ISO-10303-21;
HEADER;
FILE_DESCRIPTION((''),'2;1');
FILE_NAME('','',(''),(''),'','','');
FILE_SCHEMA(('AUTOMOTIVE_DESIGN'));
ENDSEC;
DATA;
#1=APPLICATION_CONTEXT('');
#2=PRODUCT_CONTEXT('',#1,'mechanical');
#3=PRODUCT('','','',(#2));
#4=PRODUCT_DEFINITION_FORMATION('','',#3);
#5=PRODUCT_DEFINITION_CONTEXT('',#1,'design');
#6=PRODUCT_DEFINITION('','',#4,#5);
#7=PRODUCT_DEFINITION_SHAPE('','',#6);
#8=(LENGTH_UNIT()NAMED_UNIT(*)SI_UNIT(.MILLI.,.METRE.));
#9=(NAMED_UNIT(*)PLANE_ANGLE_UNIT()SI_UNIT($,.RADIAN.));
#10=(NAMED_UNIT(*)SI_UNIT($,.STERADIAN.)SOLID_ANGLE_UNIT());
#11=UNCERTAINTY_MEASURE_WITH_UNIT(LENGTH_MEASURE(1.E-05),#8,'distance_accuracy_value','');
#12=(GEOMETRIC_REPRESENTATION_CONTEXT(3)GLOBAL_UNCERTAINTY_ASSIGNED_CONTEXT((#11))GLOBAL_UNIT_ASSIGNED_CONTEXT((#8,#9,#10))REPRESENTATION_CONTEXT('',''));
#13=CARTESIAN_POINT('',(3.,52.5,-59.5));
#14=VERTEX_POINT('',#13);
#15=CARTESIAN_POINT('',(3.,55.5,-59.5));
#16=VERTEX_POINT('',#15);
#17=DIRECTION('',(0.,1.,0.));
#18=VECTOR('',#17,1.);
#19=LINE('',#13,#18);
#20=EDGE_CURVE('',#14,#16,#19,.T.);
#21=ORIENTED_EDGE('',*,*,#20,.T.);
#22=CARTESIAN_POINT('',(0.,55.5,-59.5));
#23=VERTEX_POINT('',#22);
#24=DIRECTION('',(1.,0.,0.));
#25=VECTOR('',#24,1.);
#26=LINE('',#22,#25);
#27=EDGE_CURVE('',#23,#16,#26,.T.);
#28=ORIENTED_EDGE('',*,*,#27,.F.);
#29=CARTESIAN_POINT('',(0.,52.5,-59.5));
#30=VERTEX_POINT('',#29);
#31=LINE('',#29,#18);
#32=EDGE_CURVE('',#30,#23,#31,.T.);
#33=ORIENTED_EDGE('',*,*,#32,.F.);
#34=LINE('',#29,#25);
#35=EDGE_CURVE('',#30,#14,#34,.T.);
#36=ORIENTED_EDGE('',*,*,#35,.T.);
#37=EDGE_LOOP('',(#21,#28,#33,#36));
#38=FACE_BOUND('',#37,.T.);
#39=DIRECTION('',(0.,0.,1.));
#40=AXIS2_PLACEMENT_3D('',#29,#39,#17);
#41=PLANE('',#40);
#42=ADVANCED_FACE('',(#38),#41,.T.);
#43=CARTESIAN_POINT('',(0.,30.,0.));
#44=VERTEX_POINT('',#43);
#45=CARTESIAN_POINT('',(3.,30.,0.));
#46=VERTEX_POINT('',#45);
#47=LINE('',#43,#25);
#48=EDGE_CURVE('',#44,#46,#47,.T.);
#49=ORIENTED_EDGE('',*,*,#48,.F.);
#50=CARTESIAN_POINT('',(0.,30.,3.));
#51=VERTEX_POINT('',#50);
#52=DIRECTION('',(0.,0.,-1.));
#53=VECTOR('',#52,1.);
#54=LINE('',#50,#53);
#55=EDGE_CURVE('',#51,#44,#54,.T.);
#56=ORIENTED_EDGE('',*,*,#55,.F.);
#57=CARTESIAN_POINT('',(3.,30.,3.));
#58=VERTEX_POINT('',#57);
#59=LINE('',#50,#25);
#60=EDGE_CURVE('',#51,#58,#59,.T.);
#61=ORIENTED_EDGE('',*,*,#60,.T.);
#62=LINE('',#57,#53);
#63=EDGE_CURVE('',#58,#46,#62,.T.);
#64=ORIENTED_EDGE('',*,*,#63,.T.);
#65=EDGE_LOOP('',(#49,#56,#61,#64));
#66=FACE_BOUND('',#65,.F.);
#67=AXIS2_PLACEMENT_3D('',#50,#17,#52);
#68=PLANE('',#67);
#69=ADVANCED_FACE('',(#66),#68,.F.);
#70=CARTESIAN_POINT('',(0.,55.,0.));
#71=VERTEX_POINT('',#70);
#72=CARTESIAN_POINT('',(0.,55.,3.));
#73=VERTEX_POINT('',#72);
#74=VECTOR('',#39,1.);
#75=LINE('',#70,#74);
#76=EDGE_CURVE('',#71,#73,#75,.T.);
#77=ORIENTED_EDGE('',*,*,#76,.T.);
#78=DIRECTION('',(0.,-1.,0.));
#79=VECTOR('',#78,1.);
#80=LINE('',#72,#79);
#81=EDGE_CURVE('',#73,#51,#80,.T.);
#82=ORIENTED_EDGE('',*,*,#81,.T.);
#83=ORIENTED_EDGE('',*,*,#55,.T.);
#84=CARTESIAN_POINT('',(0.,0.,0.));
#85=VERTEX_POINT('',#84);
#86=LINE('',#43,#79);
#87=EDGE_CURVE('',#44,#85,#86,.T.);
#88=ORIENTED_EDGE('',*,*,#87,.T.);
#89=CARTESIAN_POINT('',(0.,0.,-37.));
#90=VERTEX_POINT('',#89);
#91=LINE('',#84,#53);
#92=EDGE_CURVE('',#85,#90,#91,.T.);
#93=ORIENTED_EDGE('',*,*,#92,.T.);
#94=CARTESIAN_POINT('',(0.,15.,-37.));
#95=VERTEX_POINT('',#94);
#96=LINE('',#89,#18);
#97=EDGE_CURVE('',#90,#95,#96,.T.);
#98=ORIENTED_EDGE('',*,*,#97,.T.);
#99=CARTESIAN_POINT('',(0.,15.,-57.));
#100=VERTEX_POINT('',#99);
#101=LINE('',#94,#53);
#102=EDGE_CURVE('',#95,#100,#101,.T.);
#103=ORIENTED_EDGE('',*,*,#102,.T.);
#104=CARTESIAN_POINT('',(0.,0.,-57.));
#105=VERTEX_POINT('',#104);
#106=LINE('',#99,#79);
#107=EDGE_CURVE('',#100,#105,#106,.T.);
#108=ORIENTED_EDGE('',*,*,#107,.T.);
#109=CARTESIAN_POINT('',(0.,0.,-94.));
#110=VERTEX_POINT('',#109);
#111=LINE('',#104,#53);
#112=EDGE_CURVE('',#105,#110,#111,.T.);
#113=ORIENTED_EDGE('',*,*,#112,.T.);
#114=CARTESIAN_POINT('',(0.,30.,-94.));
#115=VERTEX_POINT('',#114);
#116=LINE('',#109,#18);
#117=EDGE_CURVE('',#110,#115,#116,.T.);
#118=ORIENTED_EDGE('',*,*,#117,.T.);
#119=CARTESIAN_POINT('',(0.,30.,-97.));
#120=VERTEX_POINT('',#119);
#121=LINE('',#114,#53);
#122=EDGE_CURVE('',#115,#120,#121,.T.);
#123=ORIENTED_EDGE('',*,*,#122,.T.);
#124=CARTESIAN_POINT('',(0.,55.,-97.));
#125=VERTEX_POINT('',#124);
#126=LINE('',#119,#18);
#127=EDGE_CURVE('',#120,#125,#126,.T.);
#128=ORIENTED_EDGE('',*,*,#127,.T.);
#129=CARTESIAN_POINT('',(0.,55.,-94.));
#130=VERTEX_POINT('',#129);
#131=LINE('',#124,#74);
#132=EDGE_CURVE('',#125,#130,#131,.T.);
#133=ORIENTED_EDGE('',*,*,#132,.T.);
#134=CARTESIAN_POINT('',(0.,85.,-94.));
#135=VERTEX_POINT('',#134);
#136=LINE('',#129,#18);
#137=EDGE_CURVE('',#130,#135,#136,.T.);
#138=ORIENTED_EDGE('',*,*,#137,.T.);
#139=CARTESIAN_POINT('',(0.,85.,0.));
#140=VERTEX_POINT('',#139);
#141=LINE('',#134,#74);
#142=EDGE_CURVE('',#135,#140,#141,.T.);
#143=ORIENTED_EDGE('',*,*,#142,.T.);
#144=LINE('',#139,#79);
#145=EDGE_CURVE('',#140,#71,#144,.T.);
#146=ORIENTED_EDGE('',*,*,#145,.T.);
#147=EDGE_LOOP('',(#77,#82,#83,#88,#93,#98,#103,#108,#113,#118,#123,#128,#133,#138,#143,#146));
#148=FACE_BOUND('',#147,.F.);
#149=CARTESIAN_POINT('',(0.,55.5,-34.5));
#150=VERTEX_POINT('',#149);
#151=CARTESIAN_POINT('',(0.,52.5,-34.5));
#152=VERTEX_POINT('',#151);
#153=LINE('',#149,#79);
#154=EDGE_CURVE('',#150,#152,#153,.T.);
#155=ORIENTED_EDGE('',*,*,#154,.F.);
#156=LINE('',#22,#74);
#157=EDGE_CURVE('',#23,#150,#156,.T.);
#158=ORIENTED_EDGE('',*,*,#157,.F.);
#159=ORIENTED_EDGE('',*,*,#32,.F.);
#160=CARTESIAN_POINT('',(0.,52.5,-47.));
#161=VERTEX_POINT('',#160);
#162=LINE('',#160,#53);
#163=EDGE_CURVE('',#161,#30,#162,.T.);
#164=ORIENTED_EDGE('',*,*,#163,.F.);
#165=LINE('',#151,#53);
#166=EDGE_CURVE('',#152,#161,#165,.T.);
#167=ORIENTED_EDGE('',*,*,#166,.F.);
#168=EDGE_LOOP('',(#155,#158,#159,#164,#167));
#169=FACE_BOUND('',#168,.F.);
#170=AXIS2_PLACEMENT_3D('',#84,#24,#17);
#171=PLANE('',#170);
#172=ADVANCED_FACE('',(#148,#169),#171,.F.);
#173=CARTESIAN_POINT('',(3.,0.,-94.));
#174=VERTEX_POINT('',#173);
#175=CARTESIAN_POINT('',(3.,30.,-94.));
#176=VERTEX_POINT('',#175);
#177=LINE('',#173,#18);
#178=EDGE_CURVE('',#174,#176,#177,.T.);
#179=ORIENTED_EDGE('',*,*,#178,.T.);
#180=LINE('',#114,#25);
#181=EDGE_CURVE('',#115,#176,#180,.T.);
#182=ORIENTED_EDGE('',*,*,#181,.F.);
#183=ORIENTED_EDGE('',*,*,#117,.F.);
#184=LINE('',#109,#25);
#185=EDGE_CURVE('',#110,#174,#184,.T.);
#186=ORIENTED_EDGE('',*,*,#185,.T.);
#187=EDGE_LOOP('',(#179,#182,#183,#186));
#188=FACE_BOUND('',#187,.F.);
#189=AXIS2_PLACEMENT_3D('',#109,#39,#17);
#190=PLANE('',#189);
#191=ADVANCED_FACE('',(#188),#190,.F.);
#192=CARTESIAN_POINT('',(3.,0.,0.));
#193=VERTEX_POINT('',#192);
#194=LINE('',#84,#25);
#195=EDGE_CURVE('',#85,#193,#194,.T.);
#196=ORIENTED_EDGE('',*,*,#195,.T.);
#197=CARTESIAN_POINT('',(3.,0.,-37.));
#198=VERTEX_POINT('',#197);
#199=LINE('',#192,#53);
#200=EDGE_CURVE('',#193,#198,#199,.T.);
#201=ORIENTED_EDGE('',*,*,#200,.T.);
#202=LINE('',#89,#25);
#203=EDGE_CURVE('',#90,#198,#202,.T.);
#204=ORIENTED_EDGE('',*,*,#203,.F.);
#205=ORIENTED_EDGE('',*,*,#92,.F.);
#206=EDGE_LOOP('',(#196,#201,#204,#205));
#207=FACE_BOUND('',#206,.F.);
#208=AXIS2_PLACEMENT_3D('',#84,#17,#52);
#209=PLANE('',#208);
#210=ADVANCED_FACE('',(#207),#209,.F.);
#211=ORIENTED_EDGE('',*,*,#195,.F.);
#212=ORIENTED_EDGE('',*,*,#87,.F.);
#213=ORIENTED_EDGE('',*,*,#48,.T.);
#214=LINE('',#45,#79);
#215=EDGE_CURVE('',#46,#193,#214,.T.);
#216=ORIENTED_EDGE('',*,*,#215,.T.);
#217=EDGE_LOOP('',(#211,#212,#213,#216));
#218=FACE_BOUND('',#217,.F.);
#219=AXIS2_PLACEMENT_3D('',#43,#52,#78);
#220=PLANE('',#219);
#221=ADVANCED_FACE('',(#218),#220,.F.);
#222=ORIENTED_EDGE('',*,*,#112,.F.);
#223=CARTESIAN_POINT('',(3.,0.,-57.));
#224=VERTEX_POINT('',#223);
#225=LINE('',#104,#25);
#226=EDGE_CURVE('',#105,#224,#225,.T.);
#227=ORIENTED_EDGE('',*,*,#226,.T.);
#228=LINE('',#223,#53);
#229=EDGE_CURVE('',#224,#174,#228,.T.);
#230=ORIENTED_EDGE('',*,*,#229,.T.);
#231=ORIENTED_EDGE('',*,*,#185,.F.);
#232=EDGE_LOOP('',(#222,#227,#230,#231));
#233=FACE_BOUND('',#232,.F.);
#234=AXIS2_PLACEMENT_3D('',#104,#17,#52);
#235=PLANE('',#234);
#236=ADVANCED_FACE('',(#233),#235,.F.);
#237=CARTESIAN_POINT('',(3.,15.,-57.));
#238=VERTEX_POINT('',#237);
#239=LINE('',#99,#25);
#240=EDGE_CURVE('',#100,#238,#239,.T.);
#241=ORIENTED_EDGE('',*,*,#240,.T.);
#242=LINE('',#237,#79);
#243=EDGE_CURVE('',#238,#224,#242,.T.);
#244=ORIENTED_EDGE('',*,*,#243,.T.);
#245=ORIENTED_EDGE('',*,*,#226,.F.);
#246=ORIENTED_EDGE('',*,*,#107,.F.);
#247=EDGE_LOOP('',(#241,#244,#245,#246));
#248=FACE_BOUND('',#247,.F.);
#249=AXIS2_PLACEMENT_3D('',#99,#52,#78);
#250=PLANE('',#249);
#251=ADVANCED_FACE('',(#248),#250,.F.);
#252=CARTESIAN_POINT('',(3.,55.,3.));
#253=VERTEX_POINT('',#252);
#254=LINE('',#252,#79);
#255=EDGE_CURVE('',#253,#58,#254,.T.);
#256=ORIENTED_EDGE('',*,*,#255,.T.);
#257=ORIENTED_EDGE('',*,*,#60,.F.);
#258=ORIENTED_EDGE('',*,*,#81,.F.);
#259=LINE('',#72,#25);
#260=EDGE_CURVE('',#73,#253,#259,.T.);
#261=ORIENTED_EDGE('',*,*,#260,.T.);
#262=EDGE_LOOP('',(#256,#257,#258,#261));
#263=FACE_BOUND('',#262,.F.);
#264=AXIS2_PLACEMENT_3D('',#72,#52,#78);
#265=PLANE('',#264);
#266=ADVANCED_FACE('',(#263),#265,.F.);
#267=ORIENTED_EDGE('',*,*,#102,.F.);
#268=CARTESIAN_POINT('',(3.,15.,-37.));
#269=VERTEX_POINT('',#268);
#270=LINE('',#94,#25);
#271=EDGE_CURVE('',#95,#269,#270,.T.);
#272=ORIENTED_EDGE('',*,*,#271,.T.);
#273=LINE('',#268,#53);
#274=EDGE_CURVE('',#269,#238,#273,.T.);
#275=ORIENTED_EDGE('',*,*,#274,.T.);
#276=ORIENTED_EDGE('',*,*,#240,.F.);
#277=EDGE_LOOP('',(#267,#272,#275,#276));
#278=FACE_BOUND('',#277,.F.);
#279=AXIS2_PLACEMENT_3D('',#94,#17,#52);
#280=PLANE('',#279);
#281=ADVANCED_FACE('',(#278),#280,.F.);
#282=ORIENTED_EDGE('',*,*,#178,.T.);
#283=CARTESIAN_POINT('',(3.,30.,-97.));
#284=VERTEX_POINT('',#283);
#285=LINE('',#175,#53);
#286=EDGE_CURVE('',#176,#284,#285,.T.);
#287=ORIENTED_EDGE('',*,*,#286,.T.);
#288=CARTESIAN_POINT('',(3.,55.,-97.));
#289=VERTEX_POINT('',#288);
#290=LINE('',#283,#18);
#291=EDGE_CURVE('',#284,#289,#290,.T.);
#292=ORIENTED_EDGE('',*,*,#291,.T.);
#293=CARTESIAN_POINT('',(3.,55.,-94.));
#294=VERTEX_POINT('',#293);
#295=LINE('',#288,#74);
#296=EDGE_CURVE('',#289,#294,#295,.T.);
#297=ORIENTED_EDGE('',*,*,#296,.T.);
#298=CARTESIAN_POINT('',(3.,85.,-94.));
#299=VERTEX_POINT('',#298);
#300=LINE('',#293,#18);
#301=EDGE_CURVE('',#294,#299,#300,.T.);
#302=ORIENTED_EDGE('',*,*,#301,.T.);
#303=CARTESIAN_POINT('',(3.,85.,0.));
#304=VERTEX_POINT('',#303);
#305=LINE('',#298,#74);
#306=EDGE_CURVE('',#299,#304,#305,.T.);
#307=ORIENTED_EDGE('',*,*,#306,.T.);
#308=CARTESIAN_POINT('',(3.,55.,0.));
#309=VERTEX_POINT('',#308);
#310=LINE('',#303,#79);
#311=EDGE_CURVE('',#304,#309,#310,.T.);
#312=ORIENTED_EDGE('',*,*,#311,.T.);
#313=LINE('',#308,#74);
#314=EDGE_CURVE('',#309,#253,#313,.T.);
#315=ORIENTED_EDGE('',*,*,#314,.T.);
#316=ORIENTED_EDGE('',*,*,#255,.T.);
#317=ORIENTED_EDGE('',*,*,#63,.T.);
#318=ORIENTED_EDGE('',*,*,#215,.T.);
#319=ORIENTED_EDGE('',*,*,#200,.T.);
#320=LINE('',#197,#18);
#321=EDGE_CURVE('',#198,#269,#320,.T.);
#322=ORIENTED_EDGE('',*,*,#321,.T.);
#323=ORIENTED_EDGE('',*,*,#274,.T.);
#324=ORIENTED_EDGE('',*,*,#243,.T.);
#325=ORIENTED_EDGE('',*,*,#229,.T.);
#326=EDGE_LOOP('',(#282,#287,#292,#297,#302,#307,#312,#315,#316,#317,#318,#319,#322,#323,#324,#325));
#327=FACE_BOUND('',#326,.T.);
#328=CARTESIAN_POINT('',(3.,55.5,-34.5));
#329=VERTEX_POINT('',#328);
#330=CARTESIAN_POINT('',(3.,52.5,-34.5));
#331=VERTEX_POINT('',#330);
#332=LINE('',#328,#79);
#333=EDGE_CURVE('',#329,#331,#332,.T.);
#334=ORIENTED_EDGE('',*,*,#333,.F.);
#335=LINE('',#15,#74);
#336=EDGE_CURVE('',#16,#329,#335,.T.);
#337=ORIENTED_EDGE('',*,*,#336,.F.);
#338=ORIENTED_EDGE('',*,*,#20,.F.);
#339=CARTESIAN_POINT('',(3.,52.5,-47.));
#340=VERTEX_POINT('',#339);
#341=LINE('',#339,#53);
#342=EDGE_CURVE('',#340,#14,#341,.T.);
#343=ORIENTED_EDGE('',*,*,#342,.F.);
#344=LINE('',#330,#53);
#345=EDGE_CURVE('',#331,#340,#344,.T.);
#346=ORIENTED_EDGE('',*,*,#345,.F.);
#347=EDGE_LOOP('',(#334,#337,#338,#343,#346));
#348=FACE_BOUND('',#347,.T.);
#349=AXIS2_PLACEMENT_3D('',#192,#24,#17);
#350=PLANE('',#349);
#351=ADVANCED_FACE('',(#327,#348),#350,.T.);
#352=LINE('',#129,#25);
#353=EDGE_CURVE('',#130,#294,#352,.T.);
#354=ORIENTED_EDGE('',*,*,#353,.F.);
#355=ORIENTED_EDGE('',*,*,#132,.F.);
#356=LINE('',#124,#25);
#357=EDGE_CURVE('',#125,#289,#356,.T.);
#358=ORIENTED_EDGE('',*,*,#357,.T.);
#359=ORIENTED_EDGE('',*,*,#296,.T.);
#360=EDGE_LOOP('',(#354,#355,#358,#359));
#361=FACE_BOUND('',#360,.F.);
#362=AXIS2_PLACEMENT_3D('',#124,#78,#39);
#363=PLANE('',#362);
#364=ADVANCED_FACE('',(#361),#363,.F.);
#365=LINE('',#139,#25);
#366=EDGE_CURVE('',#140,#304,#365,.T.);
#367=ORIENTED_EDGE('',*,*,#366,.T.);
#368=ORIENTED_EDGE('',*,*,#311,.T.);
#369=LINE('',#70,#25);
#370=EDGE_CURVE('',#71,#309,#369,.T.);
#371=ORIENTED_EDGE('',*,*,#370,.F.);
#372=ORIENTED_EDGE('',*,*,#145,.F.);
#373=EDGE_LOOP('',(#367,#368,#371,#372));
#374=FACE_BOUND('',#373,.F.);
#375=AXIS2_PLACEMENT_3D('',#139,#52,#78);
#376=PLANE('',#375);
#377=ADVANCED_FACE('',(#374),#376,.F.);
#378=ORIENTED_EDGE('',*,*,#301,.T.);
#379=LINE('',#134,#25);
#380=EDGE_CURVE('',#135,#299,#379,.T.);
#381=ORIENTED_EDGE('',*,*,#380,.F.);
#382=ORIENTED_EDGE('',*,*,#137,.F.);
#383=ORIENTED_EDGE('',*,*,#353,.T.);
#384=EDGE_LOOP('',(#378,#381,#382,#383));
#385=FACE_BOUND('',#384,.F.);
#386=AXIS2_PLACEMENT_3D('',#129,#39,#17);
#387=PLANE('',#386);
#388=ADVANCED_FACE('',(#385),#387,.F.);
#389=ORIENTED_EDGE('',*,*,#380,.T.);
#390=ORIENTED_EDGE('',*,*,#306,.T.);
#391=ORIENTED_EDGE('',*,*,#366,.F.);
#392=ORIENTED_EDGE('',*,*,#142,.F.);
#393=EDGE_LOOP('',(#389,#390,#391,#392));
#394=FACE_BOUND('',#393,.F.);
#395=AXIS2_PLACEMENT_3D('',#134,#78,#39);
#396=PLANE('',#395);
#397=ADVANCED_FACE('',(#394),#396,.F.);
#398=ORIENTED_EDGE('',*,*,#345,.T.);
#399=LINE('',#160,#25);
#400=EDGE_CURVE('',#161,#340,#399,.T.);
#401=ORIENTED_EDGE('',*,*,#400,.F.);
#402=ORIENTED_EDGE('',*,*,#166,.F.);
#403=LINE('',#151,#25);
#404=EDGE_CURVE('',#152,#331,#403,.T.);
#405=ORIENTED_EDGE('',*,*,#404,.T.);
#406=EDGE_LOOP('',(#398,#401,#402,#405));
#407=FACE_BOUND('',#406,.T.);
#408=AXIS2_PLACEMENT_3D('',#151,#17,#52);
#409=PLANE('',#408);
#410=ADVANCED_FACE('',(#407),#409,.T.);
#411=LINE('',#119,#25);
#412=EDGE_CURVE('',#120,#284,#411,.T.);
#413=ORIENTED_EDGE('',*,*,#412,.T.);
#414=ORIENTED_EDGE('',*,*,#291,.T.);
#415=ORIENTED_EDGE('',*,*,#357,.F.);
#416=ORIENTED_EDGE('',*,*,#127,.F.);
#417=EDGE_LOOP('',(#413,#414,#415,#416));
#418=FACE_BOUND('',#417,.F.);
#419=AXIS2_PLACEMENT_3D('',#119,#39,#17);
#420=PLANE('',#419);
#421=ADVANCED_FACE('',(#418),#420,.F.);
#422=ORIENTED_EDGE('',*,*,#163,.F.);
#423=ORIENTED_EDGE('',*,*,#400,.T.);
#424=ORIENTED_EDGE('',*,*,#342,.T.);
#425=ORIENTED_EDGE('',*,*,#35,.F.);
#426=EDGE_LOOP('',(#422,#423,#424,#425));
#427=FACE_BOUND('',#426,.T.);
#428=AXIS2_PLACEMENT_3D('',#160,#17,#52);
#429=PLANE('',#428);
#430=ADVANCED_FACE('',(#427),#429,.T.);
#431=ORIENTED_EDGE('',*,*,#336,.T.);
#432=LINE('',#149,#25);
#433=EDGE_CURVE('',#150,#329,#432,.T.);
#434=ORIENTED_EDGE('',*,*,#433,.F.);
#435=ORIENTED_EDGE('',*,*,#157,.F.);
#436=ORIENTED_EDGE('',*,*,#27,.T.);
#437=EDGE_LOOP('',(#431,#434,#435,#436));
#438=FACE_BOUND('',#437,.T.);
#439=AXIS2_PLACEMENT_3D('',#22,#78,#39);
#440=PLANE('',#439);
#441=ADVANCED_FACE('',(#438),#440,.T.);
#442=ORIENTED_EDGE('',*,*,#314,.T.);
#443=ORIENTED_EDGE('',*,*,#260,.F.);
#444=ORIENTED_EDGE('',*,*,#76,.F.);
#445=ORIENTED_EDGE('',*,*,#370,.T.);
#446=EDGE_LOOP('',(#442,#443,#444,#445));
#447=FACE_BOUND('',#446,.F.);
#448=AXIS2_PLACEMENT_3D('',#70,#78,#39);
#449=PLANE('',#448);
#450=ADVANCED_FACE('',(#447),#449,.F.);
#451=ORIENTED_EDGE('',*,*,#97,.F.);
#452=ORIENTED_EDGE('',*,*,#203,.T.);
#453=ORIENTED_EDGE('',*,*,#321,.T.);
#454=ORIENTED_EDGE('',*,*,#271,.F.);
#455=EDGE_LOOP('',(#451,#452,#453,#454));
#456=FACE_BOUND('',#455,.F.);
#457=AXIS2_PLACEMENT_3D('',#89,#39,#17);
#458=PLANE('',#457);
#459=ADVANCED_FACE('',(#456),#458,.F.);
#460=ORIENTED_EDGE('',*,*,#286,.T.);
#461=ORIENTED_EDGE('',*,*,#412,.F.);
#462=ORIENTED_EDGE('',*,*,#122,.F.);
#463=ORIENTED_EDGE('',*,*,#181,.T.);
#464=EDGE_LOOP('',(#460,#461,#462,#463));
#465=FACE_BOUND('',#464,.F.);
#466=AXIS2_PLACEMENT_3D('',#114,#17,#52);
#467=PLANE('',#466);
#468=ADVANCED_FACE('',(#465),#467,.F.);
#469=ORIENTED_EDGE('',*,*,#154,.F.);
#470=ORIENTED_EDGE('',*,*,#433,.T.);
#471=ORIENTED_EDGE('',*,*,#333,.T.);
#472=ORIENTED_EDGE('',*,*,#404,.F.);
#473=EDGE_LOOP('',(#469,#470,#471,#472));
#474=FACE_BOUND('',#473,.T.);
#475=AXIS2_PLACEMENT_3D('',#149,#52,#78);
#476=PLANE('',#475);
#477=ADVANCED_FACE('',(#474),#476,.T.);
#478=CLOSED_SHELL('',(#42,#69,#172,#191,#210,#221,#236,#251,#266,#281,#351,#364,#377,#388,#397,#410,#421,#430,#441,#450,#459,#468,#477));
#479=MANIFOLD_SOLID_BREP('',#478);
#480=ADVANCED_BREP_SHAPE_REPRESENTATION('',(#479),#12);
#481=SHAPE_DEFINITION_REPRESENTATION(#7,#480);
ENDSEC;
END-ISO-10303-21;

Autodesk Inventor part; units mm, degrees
ref_plane "YZ Plane" through (0, 0, 0) normal (1, 0, 0) x (0, 1, 0)
ref_plane "XZ Plane" through (0, 0, 0) normal (0, 1, 0) x (-1, 0, 0)
ref_plane "XY Plane" through (0, 0, 0) normal (0, 0, 1) x (1, 0, 0)
sketch "Sketch1" plane through (0, 0, 0) normal (1, 0, 0) x (0, 1, 0)
  line L0 (0, -94) -> (30, -94)
  line L1 (30, -94) -> (30, -97)
  line L2 (30, -97) -> (55, -97)
  line L3 (55, -97) -> (55, -94)
  line L4 (55, -94) -> (85, -94)
  line L5 (85, -94) -> (85, 0)
  line L6 (85, 0) -> (55, 0)
  line L7 (55, 0) -> (55, 3)
  line L8 (55, 3) -> (30, 3)
  line L9 (30, 3) -> (30, 0)
  line L10 (30, 0) -> (0, 0)
  line L11 (0, 0) -> (0, -37)
  line L12 (0, -37) -> (15, -37)
  line L13 (15, -37) -> (15, -57)
  line L14 (15, -57) -> (0, -57)
  line L15 (0, -57) -> (0, -94)
  line L16 (0, -47) -> (52.5, -47) construction
  line L17 (52.5, -47) -> (80, -47) construction
  line L18 (0, -47) -> (52.5, -47) construction
  line L19 (52.5, -47) -> (55.5, -47) construction
  line L20 (52.5, -47) -> (52.5, -59.5)
  line L21 (52.5, -59.5) -> (55.5, -59.5)
  line L22 (55.5, -59.5) -> (55.5, -34.5)
  line L23 (55.5, -34.5) -> (52.5, -34.5)
  line L24 (52.5, -34.5) -> (52.5, -47)
  point P0 (42.5, 3)
  dimension "d0" = 94
  dimension "d1" = 30
  dimension "d2" = 3
  dimension "d3" = 25
  dimension "d5" = 30
  dimension "d6" = 94
  dimension "d7" = 30
  dimension "d8" = 3
  dimension "d9" = 25
  dimension "d10" = 3
  dimension "d11" = 30
  dimension "d15" = 15
  dimension "d16" = 20
  dimension "d23" = 27.5
  dimension "d26" = 3
  dimension "d27" = 12.5
  dimension "d28" = 3
  dimension "d29" = 25
  dimension "d30" = 3
  dimension "d31" = 12.5
  dimension "d34" = 52.5
  dimension "d35" = 37
  dimension "d36" = 50
extrude "Extrusion2" add sketch "Sketch1" along normal blind 3
properties part number "Depan"
